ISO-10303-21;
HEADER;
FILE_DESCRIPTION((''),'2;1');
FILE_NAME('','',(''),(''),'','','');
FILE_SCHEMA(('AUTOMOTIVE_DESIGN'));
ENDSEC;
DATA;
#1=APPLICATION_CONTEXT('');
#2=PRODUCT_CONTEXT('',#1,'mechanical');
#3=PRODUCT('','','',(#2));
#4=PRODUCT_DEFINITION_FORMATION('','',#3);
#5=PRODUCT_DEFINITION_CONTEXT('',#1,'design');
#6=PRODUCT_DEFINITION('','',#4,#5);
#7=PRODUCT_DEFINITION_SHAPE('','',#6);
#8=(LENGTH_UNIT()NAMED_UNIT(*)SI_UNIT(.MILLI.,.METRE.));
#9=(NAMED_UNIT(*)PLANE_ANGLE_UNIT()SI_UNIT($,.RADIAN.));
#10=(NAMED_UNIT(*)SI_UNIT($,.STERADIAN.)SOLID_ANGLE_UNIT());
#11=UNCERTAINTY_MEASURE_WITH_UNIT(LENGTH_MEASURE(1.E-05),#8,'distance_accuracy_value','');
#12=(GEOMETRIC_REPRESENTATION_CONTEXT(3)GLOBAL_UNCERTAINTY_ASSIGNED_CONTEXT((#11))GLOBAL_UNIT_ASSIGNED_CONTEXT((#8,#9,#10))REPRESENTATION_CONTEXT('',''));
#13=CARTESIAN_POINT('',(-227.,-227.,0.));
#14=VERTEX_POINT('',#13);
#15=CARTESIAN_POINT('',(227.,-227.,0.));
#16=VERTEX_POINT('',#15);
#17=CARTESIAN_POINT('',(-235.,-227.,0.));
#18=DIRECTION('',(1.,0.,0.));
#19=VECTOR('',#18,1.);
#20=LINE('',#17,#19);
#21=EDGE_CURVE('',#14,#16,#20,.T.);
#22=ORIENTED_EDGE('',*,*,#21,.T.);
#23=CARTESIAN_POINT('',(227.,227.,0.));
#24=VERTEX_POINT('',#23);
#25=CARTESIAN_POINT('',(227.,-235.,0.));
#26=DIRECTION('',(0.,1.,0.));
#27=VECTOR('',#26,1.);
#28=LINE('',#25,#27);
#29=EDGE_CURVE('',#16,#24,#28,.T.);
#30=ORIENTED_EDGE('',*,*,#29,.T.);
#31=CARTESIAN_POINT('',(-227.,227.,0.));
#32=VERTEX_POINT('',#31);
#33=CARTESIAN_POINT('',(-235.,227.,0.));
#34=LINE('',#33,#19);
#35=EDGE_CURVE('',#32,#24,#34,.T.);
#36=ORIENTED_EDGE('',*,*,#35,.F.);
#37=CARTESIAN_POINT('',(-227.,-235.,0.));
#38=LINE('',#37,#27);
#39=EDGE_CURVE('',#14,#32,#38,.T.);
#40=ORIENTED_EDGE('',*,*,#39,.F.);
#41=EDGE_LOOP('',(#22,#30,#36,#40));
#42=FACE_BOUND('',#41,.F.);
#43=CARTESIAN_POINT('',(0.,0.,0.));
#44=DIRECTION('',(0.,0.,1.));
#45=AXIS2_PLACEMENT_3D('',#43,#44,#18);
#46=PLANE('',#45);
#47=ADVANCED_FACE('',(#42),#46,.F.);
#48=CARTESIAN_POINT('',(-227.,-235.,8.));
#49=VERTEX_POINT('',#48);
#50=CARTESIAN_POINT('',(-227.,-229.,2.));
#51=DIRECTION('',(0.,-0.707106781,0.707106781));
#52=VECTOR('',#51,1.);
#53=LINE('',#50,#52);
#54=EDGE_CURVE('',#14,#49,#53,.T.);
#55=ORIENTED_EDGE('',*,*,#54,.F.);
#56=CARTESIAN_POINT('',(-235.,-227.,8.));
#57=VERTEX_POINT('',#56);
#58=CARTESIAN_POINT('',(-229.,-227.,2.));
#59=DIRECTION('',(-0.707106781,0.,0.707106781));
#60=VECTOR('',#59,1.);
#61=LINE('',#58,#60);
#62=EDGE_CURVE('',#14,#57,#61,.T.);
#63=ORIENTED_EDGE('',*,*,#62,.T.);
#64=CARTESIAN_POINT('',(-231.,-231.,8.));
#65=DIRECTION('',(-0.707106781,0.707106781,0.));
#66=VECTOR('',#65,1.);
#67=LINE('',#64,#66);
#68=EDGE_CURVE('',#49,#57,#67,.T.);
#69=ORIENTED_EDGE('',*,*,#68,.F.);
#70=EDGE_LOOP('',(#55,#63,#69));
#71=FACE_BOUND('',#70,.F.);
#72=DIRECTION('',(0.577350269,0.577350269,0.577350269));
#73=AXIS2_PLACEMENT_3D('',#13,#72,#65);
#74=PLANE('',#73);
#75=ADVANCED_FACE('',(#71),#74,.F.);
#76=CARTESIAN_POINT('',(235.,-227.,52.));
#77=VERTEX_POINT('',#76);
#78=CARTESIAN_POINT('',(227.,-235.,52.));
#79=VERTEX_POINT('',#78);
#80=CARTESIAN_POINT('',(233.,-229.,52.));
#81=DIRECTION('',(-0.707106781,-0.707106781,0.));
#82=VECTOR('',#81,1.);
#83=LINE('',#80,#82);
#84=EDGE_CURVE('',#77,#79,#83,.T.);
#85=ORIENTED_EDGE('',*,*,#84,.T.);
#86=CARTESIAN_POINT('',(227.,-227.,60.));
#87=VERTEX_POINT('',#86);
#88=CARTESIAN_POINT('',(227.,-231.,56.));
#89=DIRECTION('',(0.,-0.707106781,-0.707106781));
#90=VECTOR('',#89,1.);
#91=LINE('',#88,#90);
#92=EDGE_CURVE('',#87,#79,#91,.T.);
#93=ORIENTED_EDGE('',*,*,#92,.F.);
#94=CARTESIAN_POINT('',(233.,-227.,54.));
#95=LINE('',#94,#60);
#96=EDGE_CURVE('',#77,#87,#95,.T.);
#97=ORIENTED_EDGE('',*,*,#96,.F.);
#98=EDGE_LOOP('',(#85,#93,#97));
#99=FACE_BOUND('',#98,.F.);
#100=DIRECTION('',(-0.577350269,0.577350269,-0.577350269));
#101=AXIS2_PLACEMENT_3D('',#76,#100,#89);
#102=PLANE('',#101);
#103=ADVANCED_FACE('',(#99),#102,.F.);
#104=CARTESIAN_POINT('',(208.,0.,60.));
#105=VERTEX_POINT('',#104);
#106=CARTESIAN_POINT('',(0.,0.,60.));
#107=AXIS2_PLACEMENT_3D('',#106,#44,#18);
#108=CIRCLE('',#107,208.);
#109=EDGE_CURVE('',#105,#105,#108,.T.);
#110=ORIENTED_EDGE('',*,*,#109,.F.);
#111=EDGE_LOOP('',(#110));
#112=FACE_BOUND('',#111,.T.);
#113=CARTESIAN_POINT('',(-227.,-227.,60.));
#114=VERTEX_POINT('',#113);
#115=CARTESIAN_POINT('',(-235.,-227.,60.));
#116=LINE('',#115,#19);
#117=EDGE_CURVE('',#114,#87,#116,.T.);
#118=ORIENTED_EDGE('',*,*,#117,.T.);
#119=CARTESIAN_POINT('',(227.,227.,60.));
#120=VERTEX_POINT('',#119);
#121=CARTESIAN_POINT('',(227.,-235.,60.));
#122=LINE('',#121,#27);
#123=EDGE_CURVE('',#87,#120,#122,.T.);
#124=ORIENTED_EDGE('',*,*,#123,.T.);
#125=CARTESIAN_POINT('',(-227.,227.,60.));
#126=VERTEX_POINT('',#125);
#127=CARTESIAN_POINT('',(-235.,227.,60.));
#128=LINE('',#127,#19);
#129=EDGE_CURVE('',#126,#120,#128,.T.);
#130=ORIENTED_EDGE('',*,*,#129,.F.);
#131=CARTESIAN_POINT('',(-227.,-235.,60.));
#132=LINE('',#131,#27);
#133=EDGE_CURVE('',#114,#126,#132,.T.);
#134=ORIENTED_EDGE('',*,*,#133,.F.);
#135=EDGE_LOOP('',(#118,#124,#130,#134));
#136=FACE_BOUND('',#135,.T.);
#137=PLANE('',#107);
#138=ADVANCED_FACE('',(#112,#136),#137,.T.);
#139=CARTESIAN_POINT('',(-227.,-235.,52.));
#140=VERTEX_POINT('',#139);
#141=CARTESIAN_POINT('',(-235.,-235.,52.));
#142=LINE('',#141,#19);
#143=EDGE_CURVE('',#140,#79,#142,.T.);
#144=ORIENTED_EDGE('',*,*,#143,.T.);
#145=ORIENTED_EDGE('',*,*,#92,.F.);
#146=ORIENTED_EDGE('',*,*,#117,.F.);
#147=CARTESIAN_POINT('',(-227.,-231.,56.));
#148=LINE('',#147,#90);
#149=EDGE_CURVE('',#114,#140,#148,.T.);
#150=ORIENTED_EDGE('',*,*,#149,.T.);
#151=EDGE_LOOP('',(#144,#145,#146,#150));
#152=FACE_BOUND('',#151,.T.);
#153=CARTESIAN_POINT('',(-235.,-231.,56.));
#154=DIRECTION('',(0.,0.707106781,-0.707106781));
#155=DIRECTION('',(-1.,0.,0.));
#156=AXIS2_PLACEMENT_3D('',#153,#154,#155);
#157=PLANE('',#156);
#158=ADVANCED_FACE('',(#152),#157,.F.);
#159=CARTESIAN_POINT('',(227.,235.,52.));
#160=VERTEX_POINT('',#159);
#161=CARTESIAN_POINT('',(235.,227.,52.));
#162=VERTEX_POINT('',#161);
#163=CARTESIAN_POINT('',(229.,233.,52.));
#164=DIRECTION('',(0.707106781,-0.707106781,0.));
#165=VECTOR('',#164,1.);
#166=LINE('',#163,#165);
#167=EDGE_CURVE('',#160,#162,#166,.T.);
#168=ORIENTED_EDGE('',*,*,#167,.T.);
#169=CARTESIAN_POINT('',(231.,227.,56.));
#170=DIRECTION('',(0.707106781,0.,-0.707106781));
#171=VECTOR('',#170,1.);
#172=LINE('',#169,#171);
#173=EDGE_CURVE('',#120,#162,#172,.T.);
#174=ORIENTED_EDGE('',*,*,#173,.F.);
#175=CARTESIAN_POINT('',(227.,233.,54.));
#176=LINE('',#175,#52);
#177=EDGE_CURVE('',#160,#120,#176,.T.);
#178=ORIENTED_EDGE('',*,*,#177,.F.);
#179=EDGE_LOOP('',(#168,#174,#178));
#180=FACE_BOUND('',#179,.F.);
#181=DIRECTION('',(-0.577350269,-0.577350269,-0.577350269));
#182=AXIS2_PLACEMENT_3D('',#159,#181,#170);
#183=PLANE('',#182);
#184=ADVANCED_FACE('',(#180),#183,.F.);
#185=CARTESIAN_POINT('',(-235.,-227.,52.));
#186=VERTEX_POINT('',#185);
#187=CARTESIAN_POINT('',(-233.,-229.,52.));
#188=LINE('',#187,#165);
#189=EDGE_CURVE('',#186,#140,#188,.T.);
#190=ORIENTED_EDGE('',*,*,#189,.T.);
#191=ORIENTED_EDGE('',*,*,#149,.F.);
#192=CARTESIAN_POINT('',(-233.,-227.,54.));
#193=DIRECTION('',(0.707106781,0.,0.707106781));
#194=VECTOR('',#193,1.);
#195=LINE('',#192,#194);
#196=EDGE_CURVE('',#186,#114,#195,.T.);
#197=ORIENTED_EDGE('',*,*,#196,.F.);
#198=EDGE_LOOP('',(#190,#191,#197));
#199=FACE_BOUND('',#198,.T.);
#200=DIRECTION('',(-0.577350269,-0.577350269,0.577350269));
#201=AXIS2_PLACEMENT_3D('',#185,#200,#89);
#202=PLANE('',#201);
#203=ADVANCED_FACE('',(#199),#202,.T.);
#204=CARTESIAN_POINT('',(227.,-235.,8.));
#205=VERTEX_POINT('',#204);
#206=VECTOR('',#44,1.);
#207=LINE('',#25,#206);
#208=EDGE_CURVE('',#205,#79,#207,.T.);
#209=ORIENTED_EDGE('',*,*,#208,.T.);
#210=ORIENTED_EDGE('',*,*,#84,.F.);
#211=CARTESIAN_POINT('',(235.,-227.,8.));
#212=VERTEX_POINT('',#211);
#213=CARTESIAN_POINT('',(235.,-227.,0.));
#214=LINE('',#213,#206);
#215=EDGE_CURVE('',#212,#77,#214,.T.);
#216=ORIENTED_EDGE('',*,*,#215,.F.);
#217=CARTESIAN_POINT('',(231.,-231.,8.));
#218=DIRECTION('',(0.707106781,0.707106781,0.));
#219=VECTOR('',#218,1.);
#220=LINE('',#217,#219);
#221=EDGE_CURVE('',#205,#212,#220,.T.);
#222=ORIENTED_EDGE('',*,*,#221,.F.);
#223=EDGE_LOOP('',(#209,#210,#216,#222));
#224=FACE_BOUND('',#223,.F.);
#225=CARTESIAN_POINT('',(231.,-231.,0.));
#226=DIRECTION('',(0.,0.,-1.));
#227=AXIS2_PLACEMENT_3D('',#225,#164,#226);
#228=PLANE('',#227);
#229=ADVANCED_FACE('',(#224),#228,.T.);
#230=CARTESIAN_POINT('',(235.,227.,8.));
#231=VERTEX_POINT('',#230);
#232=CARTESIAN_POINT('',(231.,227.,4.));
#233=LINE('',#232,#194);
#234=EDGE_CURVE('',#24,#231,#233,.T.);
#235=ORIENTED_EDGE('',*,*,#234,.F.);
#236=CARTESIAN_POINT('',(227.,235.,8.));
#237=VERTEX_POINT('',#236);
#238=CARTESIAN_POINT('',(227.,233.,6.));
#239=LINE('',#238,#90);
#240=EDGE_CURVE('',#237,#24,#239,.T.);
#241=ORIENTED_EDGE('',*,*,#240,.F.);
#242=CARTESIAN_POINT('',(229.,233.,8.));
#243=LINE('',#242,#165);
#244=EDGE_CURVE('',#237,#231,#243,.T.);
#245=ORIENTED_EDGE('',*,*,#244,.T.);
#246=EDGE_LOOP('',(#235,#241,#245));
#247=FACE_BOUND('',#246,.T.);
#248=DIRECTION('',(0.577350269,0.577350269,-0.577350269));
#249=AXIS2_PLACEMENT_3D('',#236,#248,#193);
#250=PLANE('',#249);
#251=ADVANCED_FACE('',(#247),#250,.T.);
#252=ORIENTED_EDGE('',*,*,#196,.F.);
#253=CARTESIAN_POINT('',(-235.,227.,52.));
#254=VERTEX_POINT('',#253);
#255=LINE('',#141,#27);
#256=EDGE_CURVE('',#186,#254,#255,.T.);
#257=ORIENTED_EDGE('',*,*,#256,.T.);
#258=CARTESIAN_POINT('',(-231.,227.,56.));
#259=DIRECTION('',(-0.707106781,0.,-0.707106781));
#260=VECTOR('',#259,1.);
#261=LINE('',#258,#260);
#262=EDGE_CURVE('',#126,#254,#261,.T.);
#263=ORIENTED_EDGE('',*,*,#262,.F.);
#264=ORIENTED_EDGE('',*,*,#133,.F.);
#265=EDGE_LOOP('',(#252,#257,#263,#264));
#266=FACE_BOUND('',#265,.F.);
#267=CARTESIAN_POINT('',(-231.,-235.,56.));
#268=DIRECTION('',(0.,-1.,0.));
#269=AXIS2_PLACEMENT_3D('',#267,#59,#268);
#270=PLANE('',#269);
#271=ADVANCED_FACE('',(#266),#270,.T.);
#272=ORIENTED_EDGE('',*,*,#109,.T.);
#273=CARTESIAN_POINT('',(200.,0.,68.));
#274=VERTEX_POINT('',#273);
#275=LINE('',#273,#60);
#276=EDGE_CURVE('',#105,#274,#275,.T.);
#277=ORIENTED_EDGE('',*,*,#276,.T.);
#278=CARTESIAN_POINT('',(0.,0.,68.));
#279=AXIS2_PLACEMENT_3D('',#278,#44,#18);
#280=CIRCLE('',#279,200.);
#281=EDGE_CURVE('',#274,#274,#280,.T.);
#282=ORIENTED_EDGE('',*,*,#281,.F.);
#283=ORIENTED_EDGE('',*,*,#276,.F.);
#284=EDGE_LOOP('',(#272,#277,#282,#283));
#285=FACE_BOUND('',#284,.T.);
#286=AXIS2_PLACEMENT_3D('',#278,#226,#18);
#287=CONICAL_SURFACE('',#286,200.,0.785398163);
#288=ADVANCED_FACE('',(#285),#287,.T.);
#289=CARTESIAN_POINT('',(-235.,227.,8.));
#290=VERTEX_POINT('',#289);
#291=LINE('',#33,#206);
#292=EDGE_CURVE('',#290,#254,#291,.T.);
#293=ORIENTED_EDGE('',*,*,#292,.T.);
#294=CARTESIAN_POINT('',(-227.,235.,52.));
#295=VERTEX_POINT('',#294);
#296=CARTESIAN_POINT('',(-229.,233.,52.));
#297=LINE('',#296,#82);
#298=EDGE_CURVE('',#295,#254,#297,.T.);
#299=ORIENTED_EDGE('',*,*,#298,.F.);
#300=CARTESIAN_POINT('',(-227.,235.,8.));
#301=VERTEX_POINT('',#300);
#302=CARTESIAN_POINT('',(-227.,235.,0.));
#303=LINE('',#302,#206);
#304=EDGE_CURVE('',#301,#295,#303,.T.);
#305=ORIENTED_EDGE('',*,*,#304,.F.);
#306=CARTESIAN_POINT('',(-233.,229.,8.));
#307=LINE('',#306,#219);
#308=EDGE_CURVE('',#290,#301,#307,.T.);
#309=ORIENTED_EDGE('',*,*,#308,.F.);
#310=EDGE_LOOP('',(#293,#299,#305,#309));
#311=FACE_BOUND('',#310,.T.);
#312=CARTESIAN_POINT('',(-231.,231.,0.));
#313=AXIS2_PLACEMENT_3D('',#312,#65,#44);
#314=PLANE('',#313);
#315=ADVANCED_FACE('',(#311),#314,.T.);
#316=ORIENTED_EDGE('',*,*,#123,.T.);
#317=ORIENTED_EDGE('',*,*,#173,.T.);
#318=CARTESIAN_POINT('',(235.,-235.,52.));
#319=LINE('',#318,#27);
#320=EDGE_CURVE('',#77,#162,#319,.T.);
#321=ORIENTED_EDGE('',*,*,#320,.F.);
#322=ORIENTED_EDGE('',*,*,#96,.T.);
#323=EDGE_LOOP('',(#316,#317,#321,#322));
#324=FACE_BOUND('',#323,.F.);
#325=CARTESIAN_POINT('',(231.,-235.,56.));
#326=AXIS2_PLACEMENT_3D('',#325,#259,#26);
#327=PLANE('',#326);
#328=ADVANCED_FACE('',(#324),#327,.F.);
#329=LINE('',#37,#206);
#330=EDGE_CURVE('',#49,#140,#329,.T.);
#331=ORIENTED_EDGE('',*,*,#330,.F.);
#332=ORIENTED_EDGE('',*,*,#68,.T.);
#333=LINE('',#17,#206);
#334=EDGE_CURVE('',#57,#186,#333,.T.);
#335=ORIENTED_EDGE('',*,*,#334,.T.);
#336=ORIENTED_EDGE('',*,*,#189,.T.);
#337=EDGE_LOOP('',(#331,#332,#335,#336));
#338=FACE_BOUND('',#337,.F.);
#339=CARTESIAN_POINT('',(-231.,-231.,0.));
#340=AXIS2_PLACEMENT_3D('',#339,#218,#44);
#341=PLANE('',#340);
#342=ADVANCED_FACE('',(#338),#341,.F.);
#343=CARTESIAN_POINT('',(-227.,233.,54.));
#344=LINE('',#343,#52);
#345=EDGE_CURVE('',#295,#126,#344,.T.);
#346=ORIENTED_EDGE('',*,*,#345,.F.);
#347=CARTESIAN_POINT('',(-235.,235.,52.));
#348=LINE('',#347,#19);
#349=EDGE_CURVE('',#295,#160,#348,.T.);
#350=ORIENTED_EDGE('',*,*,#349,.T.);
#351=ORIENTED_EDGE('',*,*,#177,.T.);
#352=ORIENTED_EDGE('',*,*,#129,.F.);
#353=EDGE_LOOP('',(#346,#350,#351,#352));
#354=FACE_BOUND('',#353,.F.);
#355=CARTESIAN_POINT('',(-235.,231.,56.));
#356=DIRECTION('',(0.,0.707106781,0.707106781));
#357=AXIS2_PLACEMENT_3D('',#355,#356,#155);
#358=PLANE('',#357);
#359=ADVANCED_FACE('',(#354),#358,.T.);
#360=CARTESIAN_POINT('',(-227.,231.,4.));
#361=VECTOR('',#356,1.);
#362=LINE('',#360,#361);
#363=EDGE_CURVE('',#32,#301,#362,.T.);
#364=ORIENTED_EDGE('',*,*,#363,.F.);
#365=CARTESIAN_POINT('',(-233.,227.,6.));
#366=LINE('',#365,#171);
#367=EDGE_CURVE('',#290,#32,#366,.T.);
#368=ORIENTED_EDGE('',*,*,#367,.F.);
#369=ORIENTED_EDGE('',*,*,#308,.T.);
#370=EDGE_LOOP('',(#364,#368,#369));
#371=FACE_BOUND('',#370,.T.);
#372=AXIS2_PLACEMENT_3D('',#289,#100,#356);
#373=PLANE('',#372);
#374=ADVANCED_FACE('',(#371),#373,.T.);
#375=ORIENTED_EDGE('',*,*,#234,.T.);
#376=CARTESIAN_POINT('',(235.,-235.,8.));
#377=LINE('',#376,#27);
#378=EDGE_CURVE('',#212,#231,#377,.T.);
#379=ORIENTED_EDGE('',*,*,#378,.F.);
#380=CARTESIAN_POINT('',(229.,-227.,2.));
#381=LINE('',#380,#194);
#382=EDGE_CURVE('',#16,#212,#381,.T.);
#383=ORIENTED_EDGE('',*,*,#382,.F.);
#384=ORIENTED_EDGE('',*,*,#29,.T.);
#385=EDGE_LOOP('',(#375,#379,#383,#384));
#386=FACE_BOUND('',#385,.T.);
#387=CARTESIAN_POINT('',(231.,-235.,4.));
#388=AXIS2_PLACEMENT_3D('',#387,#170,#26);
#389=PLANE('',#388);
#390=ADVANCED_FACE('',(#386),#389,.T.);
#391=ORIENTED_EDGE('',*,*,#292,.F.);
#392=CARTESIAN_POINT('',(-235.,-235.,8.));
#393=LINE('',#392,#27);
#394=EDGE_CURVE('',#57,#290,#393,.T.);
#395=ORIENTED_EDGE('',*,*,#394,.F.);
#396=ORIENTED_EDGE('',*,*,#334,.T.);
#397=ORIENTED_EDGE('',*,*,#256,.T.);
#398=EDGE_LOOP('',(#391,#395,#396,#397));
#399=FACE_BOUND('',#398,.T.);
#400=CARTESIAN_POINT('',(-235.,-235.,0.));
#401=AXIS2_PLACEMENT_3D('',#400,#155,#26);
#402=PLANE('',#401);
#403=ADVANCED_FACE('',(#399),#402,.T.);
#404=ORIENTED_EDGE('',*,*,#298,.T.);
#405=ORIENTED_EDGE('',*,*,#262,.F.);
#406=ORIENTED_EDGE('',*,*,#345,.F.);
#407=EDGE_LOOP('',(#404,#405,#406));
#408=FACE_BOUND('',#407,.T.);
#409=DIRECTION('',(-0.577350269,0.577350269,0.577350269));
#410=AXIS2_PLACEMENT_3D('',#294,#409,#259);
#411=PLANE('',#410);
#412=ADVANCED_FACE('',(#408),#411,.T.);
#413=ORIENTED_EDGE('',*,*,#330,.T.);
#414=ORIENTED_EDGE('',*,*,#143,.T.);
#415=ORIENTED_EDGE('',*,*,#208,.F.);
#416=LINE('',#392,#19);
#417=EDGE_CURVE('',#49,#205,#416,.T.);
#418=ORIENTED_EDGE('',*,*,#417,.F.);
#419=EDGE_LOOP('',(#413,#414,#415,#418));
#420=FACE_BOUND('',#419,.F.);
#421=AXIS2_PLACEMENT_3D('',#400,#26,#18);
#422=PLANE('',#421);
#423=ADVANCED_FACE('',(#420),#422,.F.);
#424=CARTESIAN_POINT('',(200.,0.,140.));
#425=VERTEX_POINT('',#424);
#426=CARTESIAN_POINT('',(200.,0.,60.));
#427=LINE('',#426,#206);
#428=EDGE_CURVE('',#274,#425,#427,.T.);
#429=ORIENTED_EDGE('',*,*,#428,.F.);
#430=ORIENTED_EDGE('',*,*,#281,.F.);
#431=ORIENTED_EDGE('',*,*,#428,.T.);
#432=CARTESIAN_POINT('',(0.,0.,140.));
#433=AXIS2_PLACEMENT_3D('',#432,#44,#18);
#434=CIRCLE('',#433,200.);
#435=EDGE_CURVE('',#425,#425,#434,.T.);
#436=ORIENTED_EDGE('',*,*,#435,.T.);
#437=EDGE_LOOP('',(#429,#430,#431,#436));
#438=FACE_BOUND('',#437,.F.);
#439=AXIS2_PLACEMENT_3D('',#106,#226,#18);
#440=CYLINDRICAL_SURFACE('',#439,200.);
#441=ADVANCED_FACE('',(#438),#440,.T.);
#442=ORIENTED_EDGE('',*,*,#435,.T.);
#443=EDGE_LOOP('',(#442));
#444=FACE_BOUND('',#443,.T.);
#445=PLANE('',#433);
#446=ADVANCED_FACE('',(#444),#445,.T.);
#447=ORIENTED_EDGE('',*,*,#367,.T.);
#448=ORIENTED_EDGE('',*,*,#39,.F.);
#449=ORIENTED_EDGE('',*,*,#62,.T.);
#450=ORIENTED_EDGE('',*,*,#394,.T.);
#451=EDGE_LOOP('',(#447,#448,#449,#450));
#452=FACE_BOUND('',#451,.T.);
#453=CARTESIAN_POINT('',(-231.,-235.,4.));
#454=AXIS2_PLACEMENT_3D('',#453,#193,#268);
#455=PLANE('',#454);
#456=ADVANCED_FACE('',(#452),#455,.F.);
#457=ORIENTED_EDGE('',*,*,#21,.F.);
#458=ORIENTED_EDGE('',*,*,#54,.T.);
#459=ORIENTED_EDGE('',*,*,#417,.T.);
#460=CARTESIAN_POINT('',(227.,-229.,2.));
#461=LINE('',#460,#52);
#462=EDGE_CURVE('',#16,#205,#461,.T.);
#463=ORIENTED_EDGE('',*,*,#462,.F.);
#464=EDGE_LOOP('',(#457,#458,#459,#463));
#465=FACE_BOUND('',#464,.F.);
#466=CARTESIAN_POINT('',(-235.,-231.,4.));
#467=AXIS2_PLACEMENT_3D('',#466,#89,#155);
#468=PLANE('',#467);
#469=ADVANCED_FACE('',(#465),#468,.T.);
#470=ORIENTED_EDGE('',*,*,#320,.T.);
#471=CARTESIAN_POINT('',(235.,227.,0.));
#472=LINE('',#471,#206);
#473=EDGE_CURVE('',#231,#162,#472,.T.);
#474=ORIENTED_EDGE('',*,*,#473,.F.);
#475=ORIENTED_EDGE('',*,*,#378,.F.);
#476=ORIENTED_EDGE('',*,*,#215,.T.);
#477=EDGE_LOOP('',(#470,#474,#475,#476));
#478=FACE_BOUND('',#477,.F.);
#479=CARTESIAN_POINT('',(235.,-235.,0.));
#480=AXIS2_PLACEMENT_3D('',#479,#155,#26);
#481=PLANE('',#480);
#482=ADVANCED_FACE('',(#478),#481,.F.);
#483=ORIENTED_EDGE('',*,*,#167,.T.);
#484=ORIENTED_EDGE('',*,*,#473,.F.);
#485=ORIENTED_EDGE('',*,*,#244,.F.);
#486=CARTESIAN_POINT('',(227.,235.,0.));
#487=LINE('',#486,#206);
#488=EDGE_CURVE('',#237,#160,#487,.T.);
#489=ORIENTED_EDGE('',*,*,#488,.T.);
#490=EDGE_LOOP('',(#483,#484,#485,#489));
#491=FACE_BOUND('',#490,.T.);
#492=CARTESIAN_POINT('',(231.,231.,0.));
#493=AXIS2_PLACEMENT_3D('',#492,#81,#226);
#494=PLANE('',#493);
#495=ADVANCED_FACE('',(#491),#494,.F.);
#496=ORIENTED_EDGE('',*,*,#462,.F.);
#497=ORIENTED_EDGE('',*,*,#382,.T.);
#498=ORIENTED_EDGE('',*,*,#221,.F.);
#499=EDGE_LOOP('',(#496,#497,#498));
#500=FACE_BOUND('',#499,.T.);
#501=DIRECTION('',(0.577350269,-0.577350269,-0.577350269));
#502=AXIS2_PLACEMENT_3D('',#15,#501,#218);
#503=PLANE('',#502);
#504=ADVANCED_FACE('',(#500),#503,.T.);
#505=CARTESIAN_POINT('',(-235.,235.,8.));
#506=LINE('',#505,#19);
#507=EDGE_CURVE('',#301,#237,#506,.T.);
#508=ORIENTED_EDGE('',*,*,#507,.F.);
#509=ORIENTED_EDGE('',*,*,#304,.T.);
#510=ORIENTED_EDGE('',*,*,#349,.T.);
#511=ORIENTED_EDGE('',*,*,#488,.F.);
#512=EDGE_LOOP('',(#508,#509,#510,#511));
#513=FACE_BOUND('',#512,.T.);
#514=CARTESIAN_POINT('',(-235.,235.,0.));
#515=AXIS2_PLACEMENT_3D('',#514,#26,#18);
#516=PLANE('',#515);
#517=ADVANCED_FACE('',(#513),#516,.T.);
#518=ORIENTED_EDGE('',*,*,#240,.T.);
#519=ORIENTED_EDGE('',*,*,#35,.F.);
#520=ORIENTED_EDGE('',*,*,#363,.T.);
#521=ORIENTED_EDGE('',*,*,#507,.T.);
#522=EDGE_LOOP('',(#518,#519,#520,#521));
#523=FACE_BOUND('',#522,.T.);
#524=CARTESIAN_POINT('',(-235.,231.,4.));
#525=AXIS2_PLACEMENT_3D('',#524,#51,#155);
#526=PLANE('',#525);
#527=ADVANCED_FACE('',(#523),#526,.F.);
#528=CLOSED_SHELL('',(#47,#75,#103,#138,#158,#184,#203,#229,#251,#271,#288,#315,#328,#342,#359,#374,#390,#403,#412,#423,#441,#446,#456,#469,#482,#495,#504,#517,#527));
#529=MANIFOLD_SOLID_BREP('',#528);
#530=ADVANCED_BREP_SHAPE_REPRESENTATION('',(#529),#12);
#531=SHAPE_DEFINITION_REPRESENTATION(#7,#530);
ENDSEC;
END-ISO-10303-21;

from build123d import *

# Parameters (mm, degrees)
SKETCH_W     = 470
SKETCH_H     = 470
PAD_DEPTH    = 60
SKETCH001_R  = 200
PAD001_DEPTH = 80
CHAMFER_SIZE = 8


with BuildPart() as part:
    # Sketch → Pad (new body)
    with BuildSketch(Plane.XY):
        Rectangle(SKETCH_W, SKETCH_H)
    extrude(amount=PAD_DEPTH)

    # Sketch001 (on Face6 of Pad) → Pad001 (join)
    with BuildSketch(Plane.XY.offset(60)):
        Circle(SKETCH001_R)
    extrude(amount=PAD001_DEPTH)

    # Chamfer
    chamfer_edges = [part.edges().sort_by_distance(p)[0] for p in [
        (0, -235, 60),
        (-235, 0, 60),
        (235, 0, 60),
        (0, 235, 60),
        (-200, 0, 60),
        (-235, -235, 30),
        (235, -235, 30),
        (0, -235, 0),
        (235, 0, 0),
        (0, 235, 0),
        (-235, 0, 0),
        (235, 235, 30),
        (-235, 235, 30),
    ]]
    chamfer(chamfer_edges, length=CHAMFER_SIZE)


solid = part.part
